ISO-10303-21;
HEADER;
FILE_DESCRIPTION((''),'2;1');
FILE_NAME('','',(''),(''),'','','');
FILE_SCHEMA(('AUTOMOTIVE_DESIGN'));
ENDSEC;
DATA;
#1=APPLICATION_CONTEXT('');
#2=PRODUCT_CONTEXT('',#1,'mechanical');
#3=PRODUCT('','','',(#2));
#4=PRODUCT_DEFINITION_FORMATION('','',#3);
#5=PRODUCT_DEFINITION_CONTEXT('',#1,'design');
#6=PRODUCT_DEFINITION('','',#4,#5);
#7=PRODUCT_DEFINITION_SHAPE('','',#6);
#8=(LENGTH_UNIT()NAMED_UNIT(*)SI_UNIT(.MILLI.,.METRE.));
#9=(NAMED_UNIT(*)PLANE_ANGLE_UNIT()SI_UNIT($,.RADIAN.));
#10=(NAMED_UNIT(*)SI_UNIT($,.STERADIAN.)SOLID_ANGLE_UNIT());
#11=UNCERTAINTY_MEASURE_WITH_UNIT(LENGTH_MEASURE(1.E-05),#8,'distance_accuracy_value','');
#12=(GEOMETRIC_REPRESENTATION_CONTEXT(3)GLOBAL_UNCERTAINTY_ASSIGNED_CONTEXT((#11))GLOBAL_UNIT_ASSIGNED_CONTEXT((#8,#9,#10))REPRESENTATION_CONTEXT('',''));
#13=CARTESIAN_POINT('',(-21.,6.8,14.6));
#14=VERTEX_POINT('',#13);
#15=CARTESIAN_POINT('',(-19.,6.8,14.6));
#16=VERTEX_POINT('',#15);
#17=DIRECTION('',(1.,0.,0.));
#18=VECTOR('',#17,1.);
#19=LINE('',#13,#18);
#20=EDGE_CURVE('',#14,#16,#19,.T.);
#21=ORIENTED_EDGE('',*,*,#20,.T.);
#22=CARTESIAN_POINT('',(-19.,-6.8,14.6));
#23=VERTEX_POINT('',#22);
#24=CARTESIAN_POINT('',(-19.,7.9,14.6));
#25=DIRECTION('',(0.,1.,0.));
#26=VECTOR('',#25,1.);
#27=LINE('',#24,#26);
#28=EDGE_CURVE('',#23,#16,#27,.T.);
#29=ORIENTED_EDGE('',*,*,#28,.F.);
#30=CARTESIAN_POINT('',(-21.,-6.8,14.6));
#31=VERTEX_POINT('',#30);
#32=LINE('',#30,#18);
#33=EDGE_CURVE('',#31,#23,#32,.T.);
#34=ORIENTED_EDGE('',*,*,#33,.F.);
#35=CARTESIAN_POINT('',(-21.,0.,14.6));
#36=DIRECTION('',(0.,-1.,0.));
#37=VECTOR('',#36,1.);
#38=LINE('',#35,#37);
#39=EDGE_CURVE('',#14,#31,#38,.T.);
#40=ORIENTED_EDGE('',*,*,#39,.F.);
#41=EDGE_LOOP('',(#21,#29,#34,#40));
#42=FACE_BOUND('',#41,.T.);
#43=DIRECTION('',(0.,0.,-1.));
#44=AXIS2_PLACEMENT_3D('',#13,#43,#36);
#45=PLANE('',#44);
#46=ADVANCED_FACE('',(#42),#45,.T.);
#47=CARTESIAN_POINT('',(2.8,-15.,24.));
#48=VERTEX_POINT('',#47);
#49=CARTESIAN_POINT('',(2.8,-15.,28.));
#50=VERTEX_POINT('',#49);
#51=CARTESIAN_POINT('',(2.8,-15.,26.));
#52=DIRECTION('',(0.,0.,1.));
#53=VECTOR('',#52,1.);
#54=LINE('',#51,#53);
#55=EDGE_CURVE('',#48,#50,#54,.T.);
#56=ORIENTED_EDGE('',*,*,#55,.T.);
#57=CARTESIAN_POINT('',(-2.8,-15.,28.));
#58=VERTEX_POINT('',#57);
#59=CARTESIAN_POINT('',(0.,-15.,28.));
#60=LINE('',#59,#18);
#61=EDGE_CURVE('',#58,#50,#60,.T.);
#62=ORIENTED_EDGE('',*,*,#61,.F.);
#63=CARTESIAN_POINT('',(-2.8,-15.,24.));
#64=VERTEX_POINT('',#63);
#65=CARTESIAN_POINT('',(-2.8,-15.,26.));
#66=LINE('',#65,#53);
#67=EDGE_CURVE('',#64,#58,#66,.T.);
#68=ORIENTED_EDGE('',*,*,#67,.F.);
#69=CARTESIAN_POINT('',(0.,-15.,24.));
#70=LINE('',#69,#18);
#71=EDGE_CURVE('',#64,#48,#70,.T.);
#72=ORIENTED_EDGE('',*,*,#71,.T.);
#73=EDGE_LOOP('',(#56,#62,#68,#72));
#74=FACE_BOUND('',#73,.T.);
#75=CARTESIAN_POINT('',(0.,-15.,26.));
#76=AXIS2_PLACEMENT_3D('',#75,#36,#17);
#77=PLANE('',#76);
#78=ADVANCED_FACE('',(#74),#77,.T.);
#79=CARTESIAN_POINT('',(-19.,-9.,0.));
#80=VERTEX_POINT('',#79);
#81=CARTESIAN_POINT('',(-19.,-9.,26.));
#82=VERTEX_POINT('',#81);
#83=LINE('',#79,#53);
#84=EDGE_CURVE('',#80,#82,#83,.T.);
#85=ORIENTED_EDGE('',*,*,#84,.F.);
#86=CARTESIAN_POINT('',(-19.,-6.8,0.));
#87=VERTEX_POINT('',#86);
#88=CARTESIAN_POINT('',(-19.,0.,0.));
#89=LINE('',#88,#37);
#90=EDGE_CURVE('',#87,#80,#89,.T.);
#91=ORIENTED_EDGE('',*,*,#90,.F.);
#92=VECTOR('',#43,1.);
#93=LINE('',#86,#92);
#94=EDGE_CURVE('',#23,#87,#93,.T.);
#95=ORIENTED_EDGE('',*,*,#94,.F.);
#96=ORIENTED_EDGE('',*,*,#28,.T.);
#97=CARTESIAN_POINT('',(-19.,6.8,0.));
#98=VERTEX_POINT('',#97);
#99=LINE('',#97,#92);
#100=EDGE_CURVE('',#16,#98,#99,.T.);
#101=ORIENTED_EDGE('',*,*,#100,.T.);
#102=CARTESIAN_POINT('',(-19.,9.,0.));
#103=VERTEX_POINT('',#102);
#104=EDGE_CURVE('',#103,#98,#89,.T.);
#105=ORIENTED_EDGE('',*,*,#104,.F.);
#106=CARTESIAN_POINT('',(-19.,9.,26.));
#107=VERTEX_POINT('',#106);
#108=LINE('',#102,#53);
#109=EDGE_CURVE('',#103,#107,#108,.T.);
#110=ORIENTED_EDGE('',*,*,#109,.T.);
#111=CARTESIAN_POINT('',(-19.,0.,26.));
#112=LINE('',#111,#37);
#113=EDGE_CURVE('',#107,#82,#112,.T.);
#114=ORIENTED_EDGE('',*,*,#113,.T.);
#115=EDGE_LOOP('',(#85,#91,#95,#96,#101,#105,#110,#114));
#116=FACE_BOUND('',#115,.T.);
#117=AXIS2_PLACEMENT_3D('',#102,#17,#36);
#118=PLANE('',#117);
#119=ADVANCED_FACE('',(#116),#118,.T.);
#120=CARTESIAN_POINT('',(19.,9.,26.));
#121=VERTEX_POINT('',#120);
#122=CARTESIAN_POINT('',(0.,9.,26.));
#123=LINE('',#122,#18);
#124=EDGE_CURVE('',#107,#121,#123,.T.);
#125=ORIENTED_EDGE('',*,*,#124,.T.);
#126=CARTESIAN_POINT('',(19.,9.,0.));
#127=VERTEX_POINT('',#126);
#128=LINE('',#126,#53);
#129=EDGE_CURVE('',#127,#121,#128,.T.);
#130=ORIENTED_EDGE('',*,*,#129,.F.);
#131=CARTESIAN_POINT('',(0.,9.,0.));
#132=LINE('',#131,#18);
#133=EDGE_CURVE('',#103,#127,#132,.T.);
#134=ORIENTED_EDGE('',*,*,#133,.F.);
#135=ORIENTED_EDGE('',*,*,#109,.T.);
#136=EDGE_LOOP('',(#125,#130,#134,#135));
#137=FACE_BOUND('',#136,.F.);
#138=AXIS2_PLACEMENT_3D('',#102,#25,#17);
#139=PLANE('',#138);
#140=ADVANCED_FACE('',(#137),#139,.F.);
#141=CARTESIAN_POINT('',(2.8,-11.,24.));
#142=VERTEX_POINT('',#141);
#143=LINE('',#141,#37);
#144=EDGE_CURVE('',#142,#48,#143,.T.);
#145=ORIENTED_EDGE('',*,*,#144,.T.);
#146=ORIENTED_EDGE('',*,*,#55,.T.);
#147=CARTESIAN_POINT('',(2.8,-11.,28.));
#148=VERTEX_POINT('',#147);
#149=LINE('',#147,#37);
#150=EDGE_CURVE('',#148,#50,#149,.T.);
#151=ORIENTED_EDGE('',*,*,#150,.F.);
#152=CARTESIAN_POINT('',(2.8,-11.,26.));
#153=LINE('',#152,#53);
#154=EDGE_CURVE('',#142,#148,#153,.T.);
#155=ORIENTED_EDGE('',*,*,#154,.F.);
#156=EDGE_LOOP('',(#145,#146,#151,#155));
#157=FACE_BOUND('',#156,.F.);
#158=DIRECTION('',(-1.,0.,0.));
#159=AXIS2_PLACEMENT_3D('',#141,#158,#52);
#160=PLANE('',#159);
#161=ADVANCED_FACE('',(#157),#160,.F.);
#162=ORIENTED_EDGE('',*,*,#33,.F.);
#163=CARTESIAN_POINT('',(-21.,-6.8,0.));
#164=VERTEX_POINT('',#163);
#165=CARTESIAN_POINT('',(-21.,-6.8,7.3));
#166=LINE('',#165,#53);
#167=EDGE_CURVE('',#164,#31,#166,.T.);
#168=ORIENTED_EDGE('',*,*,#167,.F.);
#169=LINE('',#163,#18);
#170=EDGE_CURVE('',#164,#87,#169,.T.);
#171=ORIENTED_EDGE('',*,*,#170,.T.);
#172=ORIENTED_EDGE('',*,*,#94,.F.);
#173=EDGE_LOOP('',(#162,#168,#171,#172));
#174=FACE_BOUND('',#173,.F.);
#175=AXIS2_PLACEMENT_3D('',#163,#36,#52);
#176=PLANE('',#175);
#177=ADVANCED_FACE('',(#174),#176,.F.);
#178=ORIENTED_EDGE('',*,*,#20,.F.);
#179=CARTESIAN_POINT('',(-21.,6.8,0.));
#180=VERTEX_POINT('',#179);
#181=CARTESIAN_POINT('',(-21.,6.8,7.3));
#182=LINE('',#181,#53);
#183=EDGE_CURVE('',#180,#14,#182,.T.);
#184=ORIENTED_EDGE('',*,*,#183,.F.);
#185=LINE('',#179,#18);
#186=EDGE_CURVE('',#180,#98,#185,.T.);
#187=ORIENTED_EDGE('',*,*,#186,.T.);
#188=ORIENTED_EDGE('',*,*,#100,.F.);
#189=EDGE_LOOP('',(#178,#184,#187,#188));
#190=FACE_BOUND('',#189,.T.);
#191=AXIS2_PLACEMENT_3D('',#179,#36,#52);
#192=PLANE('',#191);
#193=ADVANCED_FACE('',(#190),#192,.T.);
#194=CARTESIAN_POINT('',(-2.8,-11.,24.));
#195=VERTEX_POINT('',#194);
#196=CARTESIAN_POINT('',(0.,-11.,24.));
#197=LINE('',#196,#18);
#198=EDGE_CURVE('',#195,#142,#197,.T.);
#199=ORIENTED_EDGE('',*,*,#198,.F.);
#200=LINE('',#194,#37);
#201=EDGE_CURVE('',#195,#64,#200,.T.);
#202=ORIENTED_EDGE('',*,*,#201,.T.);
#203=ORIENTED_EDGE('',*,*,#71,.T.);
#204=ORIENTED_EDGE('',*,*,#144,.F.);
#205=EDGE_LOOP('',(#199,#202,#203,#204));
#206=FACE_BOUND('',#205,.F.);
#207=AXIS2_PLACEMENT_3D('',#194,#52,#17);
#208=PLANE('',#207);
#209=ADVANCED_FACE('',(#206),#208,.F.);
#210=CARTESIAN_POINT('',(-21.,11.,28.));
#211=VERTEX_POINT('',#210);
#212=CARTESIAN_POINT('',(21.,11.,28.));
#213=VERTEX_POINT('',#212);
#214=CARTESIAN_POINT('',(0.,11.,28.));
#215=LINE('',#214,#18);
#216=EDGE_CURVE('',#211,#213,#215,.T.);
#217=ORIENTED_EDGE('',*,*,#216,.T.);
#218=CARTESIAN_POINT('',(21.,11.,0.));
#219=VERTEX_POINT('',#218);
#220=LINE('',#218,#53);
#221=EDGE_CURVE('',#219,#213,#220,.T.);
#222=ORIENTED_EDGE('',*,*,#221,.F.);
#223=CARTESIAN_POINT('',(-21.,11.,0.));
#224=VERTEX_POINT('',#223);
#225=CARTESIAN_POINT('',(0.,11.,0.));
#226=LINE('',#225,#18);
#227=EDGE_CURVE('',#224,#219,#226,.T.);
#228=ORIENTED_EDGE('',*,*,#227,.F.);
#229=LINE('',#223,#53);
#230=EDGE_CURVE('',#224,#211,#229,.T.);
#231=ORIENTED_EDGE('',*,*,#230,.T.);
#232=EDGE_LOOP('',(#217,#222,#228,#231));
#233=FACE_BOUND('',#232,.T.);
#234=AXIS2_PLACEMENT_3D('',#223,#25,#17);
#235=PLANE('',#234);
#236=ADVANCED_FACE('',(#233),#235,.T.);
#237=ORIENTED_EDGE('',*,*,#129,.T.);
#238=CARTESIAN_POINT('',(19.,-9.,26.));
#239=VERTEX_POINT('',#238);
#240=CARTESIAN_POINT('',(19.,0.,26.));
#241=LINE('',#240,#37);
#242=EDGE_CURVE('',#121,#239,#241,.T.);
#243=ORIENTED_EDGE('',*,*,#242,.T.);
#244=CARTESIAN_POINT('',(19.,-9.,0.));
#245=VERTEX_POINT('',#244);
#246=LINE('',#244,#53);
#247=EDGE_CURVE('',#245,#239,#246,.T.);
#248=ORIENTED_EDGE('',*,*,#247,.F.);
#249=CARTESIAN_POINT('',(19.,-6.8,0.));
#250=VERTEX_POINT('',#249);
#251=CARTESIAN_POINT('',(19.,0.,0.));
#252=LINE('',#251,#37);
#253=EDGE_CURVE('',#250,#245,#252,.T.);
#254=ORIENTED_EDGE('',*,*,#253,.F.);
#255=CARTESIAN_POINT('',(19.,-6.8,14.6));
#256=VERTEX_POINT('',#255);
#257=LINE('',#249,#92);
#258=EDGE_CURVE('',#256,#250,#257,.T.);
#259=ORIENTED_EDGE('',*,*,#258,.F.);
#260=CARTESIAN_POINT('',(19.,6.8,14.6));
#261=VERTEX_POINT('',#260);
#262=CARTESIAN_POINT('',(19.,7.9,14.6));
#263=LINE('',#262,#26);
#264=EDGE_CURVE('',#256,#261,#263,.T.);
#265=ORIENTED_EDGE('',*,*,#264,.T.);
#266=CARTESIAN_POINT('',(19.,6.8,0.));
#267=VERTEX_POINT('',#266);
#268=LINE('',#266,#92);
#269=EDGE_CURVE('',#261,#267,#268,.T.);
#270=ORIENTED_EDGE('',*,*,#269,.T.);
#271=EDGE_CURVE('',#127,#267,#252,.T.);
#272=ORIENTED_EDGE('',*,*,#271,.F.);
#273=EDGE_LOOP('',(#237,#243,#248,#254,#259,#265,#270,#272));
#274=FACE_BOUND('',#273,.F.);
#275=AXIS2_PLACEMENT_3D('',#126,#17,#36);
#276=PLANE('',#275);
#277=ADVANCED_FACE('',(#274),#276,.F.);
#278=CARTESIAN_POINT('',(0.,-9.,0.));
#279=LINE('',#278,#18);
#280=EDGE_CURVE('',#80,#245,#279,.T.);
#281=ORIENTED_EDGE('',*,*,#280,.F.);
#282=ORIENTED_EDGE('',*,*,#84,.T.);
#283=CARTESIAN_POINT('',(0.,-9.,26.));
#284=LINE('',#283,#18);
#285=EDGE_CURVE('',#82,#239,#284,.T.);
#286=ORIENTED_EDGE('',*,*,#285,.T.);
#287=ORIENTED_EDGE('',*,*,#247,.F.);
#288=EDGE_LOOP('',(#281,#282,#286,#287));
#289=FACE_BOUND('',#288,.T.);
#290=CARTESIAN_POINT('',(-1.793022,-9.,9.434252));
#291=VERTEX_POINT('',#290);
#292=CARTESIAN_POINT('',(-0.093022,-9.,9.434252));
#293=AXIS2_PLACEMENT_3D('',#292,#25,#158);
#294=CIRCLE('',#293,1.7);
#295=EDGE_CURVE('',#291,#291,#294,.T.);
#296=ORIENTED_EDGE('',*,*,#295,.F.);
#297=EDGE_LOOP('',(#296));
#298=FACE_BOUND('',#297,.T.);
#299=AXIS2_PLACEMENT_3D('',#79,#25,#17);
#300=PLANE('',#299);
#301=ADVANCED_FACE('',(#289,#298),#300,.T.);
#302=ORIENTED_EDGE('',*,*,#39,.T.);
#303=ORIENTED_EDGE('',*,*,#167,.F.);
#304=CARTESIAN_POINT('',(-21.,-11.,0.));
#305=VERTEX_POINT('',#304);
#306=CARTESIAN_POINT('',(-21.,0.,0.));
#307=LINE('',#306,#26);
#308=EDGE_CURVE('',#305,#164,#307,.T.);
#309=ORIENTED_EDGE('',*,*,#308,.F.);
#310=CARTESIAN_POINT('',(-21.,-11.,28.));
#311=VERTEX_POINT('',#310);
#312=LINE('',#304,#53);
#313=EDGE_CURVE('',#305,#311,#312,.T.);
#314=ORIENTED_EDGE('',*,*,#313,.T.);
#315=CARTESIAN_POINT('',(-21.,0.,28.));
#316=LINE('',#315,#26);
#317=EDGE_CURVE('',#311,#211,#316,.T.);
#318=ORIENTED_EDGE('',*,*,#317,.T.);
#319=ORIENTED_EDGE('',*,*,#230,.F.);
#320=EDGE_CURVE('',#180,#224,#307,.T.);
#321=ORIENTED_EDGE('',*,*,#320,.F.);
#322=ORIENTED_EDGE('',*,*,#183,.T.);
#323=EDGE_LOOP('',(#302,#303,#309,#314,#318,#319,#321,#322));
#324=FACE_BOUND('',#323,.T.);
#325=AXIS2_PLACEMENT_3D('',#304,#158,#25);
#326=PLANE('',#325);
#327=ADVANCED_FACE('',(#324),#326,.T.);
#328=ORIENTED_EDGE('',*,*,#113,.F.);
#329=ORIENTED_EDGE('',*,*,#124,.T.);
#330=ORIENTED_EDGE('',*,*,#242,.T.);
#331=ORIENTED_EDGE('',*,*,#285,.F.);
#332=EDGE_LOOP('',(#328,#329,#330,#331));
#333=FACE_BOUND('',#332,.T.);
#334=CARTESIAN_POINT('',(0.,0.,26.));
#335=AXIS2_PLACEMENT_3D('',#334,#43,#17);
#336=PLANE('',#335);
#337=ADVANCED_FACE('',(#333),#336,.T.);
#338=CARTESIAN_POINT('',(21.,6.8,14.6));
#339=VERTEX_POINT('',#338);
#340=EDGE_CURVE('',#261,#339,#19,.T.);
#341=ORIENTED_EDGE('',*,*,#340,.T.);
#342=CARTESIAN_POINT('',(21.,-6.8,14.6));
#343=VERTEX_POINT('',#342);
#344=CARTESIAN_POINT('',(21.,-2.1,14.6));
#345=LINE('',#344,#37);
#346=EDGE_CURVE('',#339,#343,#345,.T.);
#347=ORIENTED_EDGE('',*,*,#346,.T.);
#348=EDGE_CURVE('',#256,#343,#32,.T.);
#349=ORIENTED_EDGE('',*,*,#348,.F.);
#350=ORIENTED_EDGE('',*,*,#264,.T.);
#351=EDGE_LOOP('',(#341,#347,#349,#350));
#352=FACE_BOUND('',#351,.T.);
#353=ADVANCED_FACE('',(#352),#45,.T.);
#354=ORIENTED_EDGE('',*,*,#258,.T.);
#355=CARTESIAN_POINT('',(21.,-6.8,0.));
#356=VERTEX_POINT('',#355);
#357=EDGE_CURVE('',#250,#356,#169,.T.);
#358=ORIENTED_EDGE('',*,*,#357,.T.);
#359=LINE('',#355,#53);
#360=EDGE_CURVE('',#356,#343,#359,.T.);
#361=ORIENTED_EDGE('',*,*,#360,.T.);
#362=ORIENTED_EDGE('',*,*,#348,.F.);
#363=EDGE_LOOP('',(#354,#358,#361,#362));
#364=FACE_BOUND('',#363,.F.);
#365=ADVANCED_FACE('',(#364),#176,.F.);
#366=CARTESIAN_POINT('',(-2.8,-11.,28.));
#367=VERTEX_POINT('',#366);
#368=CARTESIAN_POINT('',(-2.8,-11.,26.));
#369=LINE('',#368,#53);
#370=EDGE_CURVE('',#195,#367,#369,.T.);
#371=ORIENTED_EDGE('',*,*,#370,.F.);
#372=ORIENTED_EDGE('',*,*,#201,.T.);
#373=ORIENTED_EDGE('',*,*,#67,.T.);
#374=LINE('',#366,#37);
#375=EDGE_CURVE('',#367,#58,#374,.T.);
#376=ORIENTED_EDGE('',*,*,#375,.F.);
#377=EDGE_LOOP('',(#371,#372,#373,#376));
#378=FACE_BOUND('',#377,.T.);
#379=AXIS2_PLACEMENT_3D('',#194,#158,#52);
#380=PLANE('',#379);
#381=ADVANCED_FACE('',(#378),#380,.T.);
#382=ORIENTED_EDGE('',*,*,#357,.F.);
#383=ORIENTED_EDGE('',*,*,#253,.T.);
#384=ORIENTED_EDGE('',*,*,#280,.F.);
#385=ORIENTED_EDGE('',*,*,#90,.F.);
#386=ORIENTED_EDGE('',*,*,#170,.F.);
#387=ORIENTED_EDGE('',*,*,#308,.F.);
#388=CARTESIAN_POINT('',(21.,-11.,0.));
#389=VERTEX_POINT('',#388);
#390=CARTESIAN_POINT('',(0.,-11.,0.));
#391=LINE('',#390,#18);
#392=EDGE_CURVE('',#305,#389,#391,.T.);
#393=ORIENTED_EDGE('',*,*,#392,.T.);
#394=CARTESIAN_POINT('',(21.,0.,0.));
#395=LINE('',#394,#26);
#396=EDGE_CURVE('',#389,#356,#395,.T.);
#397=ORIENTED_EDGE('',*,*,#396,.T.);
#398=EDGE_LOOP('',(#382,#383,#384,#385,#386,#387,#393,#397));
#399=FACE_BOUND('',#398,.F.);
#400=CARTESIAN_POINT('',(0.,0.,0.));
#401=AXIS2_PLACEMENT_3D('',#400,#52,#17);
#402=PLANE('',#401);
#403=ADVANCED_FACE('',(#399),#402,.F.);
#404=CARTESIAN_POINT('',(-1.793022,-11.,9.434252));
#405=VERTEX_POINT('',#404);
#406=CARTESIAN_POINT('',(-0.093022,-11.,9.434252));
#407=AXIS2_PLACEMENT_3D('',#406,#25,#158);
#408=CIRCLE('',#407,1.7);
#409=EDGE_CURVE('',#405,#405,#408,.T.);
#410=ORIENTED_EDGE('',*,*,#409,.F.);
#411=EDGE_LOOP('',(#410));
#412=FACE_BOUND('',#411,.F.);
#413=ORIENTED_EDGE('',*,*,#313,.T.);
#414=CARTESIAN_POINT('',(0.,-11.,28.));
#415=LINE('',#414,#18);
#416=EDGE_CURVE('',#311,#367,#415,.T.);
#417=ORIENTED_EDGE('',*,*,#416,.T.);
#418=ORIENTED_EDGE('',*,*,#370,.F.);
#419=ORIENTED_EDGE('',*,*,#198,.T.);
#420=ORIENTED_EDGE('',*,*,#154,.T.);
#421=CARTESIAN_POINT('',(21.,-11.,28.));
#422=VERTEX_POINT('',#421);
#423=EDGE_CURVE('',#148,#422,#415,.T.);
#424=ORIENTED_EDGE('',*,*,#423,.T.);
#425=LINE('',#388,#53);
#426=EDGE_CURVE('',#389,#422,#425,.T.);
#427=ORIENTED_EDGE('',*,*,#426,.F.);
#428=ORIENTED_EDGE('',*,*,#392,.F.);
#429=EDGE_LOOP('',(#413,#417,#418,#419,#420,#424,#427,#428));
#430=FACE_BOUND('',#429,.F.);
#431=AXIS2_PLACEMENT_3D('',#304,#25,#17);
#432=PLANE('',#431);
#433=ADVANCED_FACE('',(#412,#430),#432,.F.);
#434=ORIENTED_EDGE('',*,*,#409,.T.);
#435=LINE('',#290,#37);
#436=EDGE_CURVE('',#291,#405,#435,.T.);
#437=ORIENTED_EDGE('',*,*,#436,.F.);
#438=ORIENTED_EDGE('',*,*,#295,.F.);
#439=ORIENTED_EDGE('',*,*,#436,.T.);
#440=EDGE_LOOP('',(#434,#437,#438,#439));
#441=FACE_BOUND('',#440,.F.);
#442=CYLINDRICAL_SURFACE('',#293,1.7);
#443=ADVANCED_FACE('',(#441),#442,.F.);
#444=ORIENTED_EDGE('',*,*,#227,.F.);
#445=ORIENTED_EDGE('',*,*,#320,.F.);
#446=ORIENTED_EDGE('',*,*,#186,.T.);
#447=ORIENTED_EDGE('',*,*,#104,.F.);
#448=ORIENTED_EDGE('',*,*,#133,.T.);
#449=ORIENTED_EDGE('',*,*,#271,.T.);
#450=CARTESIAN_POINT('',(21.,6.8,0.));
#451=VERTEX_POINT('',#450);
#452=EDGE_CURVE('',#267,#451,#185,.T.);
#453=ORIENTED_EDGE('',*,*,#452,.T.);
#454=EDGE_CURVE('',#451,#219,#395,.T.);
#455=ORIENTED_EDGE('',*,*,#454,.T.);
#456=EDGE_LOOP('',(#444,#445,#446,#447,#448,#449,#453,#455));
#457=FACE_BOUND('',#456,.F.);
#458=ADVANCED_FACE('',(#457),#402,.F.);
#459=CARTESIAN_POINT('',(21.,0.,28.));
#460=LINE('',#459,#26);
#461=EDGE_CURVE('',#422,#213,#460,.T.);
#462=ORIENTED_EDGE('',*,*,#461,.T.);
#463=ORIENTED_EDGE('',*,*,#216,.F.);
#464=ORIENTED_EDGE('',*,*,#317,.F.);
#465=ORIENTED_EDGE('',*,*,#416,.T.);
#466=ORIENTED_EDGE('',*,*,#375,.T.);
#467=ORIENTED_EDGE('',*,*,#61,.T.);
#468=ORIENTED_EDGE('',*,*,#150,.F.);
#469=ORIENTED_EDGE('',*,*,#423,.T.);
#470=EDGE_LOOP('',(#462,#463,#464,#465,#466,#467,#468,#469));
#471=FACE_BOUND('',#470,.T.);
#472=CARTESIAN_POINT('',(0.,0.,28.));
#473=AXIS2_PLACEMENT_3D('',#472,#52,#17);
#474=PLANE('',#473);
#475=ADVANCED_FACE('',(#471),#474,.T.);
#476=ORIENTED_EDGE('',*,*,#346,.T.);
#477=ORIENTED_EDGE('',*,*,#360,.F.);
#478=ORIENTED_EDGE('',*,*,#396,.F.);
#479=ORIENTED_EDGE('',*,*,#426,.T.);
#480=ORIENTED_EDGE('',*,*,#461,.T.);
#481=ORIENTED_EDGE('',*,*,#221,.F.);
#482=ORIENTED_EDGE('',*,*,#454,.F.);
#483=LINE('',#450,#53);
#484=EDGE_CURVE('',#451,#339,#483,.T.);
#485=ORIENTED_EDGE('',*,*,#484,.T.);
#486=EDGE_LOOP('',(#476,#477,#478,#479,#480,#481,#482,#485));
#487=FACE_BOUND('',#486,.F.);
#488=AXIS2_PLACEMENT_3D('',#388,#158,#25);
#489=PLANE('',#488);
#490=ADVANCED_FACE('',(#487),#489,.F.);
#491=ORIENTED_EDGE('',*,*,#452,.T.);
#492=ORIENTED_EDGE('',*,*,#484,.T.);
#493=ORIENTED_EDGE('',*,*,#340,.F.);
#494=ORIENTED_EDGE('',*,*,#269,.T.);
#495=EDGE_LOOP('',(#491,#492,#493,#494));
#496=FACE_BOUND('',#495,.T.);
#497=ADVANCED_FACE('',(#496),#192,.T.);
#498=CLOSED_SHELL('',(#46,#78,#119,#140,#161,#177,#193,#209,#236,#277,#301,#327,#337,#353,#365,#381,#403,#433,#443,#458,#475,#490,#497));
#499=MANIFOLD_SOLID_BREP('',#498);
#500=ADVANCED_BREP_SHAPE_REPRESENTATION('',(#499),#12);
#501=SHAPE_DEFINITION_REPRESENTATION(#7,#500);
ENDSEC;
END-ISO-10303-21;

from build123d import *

# Parameters (mm, degrees)
SKETCH_W        = 42
SKETCH_H        = 22
PAD_DEPTH       = 28
SKETCH001_W     = 38
SKETCH001_H     = 18
POCKET_DEPTH    = 26
SKETCH002_W     = 5.6
SKETCH002_H     = 4
PAD001_DEPTH    = 4
SKETCH003_W     = 13.6
SKETCH003_H     = 14.6
POCKET001_DEPTH = 45
SKETCH004_R     = 1.7
POCKET002_DEPTH = 5


with BuildPart() as part:
    # Sketch → Pad (new body)
    with BuildSketch(Plane.XY):
        Rectangle(SKETCH_W, SKETCH_H)
    extrude(amount=PAD_DEPTH)

    # Sketch001 (on Face5 of Pad) → Pocket (cut)
    with BuildSketch(Plane(origin=(0, 0, 0), x_dir=(1, 0, 0), z_dir=(0, 0, -1))):
        Rectangle(SKETCH001_W, SKETCH001_H)
    extrude(amount=-POCKET_DEPTH, mode=Mode.SUBTRACT)

    # Sketch002 (on Face6 of Pocket) → Pad001 (join)
    with BuildSketch(Plane.XZ.offset(11)):
        with Locations((0, 26)):
            Rectangle(SKETCH002_W, SKETCH002_H)
    extrude(amount=PAD001_DEPTH)

    # Sketch003 (on Face2 of Pad001) → Pocket001 (cut)
    with BuildSketch(Plane(origin=(-21, 0, 0), x_dir=(0, -1, 0), z_dir=(-1, 0, 0))):
        with Locations((0, 7.3)):
            Rectangle(SKETCH003_W, SKETCH003_H)
    extrude(amount=-POCKET001_DEPTH, mode=Mode.SUBTRACT)

    # Sketch004 (on Face18 of Pocket001) → Pocket002 (cut)
    with BuildSketch(Plane(origin=(0, -9, 0), x_dir=(-1, 0, 0), z_dir=(0, 1, 0))):
        with Locations((0.093022, 9.434252)):
            Circle(SKETCH004_R)
    extrude(amount=-POCKET002_DEPTH, mode=Mode.SUBTRACT)


solid = part.part
